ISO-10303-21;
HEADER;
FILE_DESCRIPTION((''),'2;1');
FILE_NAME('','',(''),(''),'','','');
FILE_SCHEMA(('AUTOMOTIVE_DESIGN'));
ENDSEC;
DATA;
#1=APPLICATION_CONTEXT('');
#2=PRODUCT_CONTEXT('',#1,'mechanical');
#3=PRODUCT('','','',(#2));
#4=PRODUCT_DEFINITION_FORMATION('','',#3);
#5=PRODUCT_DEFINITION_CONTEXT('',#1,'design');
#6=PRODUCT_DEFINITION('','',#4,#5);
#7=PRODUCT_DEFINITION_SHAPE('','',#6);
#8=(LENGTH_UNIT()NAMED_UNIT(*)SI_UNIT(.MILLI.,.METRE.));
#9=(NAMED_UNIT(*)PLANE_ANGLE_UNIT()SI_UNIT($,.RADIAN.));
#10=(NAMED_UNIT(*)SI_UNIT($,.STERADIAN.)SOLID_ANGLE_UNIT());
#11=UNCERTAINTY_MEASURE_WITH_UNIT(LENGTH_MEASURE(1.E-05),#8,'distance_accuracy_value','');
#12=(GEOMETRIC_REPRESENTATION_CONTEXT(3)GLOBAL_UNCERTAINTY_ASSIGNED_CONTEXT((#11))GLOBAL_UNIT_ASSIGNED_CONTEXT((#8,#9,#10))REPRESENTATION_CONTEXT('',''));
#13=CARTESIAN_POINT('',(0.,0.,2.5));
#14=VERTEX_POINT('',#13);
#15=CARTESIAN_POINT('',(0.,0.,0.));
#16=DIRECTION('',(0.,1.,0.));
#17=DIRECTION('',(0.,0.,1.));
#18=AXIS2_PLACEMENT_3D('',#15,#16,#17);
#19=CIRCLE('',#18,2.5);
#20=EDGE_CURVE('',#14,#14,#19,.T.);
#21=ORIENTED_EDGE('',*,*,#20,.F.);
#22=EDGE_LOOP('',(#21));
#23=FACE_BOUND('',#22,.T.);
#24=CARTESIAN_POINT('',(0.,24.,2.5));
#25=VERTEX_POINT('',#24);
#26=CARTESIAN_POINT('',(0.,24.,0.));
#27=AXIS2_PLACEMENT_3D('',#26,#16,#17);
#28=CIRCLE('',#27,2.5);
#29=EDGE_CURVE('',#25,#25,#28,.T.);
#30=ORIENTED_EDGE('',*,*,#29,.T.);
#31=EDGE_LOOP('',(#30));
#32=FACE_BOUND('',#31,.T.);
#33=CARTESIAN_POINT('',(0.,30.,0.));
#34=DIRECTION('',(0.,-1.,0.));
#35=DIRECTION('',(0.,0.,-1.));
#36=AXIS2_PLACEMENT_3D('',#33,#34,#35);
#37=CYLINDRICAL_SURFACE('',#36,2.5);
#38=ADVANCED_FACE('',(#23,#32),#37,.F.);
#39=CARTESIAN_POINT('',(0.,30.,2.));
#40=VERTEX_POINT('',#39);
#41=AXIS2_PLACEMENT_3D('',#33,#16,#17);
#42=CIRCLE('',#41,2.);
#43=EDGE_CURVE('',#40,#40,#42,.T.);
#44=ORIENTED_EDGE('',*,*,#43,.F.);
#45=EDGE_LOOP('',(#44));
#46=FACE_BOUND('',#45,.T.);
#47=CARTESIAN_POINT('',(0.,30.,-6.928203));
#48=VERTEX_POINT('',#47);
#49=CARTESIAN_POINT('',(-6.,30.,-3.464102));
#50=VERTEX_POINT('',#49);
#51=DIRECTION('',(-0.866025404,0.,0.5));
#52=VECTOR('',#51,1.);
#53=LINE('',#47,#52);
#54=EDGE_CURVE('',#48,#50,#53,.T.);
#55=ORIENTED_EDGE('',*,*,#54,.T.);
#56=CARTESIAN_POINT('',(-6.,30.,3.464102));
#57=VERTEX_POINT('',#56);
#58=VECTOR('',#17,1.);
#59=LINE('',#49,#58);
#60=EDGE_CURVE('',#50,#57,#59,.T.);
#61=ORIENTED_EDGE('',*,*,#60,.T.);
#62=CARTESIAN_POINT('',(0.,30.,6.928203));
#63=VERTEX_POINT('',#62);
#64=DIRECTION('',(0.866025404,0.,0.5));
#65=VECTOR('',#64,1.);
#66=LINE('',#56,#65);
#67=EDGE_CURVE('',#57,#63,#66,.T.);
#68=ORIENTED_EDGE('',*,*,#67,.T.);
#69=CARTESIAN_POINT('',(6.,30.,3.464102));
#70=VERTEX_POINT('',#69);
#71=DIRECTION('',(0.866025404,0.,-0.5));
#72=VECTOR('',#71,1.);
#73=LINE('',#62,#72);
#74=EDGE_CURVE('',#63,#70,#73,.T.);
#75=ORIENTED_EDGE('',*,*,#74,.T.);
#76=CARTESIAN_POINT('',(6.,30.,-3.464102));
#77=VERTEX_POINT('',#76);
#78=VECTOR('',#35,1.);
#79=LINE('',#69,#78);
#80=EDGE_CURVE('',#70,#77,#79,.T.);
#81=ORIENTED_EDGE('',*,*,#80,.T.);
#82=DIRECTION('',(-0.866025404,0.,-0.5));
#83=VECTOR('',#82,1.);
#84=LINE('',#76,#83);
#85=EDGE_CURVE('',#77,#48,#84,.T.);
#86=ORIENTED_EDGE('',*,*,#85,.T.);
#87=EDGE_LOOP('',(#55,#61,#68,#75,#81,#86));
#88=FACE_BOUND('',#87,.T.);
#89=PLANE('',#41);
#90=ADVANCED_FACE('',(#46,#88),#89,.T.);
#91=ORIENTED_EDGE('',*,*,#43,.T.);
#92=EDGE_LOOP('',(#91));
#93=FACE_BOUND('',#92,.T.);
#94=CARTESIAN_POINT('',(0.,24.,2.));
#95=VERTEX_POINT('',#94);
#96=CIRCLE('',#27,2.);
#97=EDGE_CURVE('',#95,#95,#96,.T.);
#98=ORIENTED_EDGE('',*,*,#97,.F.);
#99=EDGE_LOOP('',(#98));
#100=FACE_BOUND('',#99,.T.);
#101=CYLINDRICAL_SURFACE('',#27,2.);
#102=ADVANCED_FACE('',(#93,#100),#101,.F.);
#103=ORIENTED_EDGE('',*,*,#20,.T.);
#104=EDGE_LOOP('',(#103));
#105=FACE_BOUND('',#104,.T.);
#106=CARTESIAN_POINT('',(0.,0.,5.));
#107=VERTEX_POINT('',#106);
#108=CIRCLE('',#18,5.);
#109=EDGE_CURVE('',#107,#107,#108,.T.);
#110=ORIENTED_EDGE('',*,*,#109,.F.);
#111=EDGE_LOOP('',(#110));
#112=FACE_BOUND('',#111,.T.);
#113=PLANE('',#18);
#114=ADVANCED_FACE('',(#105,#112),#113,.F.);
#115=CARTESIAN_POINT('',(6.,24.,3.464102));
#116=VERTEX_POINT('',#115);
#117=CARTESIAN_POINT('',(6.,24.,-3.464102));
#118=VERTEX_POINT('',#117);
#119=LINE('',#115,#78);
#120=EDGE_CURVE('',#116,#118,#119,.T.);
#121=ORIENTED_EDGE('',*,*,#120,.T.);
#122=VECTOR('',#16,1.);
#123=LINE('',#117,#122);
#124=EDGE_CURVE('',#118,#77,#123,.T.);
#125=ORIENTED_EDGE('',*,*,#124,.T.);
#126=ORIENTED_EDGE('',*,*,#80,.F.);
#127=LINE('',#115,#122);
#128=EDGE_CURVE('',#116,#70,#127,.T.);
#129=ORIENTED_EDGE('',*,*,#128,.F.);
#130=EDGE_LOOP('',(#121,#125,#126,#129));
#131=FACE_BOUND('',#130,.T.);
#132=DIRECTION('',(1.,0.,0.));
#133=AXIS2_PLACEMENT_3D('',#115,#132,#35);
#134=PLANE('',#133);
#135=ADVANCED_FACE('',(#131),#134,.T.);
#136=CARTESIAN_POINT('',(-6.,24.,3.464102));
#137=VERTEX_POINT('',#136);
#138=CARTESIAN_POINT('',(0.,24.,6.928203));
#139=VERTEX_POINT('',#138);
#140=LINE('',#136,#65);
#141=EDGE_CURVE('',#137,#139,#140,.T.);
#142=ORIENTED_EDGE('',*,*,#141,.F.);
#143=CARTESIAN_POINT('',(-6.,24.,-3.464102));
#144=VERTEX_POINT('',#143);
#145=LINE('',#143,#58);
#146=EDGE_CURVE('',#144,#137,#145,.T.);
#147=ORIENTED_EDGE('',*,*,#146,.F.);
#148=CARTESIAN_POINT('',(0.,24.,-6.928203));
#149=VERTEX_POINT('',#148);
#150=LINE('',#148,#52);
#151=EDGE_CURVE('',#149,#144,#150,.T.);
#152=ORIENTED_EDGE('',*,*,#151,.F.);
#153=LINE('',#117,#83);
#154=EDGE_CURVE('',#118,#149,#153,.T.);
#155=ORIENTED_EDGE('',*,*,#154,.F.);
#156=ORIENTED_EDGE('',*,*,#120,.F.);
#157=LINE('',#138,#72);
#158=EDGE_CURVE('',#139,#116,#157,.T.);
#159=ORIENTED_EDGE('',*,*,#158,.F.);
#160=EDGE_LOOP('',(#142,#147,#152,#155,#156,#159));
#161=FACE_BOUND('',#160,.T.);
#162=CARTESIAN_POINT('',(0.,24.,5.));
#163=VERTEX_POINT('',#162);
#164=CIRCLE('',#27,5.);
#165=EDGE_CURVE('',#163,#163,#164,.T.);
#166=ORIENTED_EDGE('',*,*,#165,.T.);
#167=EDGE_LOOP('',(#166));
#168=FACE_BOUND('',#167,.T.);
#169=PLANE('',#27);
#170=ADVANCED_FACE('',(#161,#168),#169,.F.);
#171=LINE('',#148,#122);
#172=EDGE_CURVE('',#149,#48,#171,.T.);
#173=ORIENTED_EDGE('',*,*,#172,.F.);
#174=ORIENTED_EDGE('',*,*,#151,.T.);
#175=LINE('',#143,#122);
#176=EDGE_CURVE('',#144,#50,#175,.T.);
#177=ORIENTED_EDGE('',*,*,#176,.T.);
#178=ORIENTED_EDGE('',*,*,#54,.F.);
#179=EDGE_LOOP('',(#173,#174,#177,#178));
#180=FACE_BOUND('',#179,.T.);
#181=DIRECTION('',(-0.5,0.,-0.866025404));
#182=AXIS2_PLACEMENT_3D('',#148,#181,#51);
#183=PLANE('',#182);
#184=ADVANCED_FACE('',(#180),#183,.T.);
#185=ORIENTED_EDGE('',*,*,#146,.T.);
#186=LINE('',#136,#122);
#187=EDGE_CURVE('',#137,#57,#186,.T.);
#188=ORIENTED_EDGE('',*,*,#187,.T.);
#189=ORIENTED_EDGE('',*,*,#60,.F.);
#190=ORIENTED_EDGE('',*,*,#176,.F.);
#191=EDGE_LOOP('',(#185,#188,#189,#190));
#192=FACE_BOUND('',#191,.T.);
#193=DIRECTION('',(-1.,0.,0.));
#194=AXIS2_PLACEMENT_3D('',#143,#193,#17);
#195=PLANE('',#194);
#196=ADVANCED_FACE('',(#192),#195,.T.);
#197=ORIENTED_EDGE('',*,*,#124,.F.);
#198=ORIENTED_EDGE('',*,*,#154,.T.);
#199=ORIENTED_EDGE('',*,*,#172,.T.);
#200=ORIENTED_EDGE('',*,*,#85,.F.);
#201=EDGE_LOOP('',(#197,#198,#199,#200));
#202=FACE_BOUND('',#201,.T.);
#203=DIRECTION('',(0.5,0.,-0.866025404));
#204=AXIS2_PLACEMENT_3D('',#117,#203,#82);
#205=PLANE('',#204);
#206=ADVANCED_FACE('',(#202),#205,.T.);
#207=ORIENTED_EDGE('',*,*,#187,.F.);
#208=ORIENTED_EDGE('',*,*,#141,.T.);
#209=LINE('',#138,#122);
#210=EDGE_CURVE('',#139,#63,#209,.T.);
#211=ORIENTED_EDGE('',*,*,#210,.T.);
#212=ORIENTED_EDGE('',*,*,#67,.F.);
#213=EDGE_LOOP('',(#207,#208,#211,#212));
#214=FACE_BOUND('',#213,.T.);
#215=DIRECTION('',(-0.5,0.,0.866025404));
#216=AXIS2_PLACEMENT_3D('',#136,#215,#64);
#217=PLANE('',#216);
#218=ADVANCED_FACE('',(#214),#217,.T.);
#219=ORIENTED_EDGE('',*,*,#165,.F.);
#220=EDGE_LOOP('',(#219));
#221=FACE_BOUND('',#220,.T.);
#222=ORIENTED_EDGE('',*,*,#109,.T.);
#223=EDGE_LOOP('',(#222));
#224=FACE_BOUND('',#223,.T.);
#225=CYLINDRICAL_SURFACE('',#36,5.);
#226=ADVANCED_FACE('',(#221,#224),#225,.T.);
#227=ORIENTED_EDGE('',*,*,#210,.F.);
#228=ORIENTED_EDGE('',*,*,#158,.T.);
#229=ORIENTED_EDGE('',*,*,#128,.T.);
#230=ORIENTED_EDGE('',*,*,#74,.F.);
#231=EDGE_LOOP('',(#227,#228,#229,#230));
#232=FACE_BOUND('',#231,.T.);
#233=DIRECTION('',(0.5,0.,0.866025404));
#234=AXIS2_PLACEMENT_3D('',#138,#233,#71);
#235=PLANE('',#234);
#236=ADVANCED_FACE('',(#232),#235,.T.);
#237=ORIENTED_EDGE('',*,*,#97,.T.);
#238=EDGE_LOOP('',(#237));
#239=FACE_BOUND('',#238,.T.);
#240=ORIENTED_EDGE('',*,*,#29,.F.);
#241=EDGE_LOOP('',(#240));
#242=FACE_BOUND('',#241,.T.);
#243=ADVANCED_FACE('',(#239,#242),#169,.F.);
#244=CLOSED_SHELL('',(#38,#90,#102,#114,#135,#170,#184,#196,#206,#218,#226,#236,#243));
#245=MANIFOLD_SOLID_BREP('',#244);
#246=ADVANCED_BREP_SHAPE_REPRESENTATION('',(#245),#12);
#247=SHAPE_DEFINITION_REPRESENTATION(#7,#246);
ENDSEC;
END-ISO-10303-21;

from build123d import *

# Parameters (mm, degrees)
SKETCH_1_R      = 5
SKETCH_1_R_2    = 2.5
EXTRUDE_1_DEPTH = 30
SKETCH_2_R      = 2
EXTRUDE_2_DEPTH = 6


with BuildPart() as part:
    # 草图1 → 凸台-拉伸1 (new body)
    with BuildSketch(Plane(origin=(0, 0, 0), x_dir=(1, 0, 0), z_dir=(0, 1, 0))):
        with Locations(Location((0, 0, 0), (0, 0, 270))):
            Circle(SKETCH_1_R)
        with Locations(Location((0, 0, 0), (0, 0, 270))):
            Circle(SKETCH_1_R_2, mode=Mode.SUBTRACT)
    extrude(amount=EXTRUDE_1_DEPTH)

    # 草图2 → 凸台-拉伸2 (add)
    with BuildSketch(Plane(origin=(0, 30, 0), x_dir=(1, 0, 0), z_dir=(0, 1, 0))):
        Polygon((0, 6.92820323), (-6, 3.464101615), (-6, -3.464101615), (0, -6.92820323), (6, -3.464101615), (6, 3.464101615), align=None)
        with Locations(Location((0, 0, 0), (0, 0, 270))):
            Circle(SKETCH_2_R, mode=Mode.SUBTRACT)
    extrude(amount=-EXTRUDE_2_DEPTH)


solid = part.part
